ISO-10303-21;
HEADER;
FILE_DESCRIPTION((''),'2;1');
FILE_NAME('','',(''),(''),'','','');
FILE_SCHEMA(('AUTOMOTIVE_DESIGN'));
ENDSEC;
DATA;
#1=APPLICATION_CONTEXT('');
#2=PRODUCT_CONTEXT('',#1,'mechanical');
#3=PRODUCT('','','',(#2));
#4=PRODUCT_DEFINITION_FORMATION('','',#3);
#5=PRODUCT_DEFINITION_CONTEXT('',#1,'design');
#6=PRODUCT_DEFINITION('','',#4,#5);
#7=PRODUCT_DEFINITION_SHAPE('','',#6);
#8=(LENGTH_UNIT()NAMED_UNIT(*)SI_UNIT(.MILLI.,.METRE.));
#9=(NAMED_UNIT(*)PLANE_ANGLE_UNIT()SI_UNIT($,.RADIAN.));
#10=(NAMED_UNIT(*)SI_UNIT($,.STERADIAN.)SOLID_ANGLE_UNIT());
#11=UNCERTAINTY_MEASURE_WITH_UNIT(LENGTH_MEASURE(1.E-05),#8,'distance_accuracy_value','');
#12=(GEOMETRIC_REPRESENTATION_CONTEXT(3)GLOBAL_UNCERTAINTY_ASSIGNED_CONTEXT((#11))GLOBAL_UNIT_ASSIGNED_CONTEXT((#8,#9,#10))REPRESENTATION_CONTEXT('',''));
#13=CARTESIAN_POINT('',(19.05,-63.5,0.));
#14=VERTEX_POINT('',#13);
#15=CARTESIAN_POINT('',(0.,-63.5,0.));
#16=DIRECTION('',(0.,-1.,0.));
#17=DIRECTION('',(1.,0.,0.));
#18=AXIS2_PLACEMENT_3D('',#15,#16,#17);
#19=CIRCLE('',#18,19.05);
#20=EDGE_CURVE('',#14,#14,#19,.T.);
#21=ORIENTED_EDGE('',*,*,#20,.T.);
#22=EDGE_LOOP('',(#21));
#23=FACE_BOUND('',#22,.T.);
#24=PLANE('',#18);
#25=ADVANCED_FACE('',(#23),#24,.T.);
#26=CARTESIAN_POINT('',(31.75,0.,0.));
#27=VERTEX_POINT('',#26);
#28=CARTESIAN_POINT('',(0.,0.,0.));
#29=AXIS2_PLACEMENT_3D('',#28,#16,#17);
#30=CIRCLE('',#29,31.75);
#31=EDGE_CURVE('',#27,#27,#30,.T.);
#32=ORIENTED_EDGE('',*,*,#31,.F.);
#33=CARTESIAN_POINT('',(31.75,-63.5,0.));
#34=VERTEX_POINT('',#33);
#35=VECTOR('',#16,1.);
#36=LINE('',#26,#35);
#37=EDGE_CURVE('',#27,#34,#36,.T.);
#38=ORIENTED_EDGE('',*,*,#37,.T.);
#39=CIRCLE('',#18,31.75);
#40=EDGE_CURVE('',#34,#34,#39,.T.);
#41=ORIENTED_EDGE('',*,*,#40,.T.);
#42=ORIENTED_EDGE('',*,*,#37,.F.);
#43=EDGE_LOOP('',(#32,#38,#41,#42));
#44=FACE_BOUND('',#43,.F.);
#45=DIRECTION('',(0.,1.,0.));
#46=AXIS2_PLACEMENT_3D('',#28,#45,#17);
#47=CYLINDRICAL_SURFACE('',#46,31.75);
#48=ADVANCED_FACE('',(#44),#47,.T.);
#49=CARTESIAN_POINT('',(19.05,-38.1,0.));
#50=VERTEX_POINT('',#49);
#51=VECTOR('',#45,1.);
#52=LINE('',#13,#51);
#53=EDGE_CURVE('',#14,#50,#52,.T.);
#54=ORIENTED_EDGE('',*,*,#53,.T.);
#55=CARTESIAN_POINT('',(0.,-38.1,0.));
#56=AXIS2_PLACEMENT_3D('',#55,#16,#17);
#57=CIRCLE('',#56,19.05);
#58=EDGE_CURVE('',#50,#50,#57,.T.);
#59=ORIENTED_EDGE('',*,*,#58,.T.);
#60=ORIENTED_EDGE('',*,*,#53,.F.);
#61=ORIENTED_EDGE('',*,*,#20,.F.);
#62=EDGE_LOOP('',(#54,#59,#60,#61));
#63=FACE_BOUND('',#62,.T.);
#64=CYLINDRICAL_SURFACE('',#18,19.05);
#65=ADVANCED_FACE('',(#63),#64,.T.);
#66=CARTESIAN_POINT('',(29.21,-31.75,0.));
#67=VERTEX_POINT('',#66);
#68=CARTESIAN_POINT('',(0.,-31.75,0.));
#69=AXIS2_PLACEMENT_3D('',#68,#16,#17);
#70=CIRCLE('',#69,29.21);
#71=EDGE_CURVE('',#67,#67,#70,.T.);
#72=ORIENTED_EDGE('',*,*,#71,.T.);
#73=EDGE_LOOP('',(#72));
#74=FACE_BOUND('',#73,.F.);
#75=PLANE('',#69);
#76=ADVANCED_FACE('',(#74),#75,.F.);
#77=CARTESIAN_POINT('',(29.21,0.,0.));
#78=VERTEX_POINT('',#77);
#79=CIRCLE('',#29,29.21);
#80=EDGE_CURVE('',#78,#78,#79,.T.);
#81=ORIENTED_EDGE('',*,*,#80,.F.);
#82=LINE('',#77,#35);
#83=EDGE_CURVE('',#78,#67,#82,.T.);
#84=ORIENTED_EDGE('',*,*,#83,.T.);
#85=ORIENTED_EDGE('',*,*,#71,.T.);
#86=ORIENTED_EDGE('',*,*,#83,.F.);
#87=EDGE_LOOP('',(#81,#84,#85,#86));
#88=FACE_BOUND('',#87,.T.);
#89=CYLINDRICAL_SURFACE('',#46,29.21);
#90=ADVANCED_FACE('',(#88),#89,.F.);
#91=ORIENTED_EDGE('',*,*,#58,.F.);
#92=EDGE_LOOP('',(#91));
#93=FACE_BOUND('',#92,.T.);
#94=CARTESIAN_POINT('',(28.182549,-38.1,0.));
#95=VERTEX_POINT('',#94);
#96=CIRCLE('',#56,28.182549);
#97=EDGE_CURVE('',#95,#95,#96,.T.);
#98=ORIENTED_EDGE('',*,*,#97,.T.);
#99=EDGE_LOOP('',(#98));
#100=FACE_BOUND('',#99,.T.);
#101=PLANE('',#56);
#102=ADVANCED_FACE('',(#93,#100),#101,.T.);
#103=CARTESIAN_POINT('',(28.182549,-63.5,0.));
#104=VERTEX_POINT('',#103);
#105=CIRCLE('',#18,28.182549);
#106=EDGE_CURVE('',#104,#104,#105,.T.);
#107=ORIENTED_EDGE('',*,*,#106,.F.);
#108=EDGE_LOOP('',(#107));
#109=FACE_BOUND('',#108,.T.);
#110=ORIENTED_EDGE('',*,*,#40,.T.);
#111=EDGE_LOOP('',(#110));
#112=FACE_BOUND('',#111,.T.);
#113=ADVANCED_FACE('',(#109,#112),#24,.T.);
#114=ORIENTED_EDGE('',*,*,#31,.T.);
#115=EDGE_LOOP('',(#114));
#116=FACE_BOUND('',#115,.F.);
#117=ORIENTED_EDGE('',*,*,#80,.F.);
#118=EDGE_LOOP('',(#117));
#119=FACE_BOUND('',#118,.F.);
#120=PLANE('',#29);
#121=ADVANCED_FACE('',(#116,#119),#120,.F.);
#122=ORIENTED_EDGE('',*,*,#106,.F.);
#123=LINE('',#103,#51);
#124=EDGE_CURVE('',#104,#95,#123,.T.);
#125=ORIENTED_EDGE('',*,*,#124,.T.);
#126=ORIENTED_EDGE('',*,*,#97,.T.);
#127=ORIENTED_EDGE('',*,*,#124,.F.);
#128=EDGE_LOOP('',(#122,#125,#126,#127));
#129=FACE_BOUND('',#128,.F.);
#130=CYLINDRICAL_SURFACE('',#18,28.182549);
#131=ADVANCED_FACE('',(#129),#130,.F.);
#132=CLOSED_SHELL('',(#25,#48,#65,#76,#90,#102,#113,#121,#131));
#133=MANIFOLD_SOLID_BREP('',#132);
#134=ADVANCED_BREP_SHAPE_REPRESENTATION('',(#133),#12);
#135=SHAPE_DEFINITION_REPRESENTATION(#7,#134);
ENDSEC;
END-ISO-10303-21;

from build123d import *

# Parameters (mm, degrees)
F0_R     = 31.75
F1_DEPTH = 63.5
F2_R     = 29.21
F3_DEPTH = 31.75
F4_R     = 28.182549
F4_R_2   = 19.05
F5_DEPTH = 25.4


with BuildPart() as f1:
    # F0 (on Front) → F1 (new body)
    with BuildSketch(Plane.XZ):
        Circle(F0_R)
    extrude(amount=F1_DEPTH)

    # F2 (on Front) → F3 (cut)
    with BuildSketch(Plane.XZ):
        Circle(F2_R)
    extrude(amount=F3_DEPTH, mode=Mode.SUBTRACT)

    # F4 (on face) → F5 (cut)
    with BuildSketch(Plane.XZ.offset(63.5)):
        Circle(F4_R)
        Circle(F4_R_2, mode=Mode.SUBTRACT)
    extrude(amount=-F5_DEPTH, mode=Mode.SUBTRACT)


solid = f1.part
